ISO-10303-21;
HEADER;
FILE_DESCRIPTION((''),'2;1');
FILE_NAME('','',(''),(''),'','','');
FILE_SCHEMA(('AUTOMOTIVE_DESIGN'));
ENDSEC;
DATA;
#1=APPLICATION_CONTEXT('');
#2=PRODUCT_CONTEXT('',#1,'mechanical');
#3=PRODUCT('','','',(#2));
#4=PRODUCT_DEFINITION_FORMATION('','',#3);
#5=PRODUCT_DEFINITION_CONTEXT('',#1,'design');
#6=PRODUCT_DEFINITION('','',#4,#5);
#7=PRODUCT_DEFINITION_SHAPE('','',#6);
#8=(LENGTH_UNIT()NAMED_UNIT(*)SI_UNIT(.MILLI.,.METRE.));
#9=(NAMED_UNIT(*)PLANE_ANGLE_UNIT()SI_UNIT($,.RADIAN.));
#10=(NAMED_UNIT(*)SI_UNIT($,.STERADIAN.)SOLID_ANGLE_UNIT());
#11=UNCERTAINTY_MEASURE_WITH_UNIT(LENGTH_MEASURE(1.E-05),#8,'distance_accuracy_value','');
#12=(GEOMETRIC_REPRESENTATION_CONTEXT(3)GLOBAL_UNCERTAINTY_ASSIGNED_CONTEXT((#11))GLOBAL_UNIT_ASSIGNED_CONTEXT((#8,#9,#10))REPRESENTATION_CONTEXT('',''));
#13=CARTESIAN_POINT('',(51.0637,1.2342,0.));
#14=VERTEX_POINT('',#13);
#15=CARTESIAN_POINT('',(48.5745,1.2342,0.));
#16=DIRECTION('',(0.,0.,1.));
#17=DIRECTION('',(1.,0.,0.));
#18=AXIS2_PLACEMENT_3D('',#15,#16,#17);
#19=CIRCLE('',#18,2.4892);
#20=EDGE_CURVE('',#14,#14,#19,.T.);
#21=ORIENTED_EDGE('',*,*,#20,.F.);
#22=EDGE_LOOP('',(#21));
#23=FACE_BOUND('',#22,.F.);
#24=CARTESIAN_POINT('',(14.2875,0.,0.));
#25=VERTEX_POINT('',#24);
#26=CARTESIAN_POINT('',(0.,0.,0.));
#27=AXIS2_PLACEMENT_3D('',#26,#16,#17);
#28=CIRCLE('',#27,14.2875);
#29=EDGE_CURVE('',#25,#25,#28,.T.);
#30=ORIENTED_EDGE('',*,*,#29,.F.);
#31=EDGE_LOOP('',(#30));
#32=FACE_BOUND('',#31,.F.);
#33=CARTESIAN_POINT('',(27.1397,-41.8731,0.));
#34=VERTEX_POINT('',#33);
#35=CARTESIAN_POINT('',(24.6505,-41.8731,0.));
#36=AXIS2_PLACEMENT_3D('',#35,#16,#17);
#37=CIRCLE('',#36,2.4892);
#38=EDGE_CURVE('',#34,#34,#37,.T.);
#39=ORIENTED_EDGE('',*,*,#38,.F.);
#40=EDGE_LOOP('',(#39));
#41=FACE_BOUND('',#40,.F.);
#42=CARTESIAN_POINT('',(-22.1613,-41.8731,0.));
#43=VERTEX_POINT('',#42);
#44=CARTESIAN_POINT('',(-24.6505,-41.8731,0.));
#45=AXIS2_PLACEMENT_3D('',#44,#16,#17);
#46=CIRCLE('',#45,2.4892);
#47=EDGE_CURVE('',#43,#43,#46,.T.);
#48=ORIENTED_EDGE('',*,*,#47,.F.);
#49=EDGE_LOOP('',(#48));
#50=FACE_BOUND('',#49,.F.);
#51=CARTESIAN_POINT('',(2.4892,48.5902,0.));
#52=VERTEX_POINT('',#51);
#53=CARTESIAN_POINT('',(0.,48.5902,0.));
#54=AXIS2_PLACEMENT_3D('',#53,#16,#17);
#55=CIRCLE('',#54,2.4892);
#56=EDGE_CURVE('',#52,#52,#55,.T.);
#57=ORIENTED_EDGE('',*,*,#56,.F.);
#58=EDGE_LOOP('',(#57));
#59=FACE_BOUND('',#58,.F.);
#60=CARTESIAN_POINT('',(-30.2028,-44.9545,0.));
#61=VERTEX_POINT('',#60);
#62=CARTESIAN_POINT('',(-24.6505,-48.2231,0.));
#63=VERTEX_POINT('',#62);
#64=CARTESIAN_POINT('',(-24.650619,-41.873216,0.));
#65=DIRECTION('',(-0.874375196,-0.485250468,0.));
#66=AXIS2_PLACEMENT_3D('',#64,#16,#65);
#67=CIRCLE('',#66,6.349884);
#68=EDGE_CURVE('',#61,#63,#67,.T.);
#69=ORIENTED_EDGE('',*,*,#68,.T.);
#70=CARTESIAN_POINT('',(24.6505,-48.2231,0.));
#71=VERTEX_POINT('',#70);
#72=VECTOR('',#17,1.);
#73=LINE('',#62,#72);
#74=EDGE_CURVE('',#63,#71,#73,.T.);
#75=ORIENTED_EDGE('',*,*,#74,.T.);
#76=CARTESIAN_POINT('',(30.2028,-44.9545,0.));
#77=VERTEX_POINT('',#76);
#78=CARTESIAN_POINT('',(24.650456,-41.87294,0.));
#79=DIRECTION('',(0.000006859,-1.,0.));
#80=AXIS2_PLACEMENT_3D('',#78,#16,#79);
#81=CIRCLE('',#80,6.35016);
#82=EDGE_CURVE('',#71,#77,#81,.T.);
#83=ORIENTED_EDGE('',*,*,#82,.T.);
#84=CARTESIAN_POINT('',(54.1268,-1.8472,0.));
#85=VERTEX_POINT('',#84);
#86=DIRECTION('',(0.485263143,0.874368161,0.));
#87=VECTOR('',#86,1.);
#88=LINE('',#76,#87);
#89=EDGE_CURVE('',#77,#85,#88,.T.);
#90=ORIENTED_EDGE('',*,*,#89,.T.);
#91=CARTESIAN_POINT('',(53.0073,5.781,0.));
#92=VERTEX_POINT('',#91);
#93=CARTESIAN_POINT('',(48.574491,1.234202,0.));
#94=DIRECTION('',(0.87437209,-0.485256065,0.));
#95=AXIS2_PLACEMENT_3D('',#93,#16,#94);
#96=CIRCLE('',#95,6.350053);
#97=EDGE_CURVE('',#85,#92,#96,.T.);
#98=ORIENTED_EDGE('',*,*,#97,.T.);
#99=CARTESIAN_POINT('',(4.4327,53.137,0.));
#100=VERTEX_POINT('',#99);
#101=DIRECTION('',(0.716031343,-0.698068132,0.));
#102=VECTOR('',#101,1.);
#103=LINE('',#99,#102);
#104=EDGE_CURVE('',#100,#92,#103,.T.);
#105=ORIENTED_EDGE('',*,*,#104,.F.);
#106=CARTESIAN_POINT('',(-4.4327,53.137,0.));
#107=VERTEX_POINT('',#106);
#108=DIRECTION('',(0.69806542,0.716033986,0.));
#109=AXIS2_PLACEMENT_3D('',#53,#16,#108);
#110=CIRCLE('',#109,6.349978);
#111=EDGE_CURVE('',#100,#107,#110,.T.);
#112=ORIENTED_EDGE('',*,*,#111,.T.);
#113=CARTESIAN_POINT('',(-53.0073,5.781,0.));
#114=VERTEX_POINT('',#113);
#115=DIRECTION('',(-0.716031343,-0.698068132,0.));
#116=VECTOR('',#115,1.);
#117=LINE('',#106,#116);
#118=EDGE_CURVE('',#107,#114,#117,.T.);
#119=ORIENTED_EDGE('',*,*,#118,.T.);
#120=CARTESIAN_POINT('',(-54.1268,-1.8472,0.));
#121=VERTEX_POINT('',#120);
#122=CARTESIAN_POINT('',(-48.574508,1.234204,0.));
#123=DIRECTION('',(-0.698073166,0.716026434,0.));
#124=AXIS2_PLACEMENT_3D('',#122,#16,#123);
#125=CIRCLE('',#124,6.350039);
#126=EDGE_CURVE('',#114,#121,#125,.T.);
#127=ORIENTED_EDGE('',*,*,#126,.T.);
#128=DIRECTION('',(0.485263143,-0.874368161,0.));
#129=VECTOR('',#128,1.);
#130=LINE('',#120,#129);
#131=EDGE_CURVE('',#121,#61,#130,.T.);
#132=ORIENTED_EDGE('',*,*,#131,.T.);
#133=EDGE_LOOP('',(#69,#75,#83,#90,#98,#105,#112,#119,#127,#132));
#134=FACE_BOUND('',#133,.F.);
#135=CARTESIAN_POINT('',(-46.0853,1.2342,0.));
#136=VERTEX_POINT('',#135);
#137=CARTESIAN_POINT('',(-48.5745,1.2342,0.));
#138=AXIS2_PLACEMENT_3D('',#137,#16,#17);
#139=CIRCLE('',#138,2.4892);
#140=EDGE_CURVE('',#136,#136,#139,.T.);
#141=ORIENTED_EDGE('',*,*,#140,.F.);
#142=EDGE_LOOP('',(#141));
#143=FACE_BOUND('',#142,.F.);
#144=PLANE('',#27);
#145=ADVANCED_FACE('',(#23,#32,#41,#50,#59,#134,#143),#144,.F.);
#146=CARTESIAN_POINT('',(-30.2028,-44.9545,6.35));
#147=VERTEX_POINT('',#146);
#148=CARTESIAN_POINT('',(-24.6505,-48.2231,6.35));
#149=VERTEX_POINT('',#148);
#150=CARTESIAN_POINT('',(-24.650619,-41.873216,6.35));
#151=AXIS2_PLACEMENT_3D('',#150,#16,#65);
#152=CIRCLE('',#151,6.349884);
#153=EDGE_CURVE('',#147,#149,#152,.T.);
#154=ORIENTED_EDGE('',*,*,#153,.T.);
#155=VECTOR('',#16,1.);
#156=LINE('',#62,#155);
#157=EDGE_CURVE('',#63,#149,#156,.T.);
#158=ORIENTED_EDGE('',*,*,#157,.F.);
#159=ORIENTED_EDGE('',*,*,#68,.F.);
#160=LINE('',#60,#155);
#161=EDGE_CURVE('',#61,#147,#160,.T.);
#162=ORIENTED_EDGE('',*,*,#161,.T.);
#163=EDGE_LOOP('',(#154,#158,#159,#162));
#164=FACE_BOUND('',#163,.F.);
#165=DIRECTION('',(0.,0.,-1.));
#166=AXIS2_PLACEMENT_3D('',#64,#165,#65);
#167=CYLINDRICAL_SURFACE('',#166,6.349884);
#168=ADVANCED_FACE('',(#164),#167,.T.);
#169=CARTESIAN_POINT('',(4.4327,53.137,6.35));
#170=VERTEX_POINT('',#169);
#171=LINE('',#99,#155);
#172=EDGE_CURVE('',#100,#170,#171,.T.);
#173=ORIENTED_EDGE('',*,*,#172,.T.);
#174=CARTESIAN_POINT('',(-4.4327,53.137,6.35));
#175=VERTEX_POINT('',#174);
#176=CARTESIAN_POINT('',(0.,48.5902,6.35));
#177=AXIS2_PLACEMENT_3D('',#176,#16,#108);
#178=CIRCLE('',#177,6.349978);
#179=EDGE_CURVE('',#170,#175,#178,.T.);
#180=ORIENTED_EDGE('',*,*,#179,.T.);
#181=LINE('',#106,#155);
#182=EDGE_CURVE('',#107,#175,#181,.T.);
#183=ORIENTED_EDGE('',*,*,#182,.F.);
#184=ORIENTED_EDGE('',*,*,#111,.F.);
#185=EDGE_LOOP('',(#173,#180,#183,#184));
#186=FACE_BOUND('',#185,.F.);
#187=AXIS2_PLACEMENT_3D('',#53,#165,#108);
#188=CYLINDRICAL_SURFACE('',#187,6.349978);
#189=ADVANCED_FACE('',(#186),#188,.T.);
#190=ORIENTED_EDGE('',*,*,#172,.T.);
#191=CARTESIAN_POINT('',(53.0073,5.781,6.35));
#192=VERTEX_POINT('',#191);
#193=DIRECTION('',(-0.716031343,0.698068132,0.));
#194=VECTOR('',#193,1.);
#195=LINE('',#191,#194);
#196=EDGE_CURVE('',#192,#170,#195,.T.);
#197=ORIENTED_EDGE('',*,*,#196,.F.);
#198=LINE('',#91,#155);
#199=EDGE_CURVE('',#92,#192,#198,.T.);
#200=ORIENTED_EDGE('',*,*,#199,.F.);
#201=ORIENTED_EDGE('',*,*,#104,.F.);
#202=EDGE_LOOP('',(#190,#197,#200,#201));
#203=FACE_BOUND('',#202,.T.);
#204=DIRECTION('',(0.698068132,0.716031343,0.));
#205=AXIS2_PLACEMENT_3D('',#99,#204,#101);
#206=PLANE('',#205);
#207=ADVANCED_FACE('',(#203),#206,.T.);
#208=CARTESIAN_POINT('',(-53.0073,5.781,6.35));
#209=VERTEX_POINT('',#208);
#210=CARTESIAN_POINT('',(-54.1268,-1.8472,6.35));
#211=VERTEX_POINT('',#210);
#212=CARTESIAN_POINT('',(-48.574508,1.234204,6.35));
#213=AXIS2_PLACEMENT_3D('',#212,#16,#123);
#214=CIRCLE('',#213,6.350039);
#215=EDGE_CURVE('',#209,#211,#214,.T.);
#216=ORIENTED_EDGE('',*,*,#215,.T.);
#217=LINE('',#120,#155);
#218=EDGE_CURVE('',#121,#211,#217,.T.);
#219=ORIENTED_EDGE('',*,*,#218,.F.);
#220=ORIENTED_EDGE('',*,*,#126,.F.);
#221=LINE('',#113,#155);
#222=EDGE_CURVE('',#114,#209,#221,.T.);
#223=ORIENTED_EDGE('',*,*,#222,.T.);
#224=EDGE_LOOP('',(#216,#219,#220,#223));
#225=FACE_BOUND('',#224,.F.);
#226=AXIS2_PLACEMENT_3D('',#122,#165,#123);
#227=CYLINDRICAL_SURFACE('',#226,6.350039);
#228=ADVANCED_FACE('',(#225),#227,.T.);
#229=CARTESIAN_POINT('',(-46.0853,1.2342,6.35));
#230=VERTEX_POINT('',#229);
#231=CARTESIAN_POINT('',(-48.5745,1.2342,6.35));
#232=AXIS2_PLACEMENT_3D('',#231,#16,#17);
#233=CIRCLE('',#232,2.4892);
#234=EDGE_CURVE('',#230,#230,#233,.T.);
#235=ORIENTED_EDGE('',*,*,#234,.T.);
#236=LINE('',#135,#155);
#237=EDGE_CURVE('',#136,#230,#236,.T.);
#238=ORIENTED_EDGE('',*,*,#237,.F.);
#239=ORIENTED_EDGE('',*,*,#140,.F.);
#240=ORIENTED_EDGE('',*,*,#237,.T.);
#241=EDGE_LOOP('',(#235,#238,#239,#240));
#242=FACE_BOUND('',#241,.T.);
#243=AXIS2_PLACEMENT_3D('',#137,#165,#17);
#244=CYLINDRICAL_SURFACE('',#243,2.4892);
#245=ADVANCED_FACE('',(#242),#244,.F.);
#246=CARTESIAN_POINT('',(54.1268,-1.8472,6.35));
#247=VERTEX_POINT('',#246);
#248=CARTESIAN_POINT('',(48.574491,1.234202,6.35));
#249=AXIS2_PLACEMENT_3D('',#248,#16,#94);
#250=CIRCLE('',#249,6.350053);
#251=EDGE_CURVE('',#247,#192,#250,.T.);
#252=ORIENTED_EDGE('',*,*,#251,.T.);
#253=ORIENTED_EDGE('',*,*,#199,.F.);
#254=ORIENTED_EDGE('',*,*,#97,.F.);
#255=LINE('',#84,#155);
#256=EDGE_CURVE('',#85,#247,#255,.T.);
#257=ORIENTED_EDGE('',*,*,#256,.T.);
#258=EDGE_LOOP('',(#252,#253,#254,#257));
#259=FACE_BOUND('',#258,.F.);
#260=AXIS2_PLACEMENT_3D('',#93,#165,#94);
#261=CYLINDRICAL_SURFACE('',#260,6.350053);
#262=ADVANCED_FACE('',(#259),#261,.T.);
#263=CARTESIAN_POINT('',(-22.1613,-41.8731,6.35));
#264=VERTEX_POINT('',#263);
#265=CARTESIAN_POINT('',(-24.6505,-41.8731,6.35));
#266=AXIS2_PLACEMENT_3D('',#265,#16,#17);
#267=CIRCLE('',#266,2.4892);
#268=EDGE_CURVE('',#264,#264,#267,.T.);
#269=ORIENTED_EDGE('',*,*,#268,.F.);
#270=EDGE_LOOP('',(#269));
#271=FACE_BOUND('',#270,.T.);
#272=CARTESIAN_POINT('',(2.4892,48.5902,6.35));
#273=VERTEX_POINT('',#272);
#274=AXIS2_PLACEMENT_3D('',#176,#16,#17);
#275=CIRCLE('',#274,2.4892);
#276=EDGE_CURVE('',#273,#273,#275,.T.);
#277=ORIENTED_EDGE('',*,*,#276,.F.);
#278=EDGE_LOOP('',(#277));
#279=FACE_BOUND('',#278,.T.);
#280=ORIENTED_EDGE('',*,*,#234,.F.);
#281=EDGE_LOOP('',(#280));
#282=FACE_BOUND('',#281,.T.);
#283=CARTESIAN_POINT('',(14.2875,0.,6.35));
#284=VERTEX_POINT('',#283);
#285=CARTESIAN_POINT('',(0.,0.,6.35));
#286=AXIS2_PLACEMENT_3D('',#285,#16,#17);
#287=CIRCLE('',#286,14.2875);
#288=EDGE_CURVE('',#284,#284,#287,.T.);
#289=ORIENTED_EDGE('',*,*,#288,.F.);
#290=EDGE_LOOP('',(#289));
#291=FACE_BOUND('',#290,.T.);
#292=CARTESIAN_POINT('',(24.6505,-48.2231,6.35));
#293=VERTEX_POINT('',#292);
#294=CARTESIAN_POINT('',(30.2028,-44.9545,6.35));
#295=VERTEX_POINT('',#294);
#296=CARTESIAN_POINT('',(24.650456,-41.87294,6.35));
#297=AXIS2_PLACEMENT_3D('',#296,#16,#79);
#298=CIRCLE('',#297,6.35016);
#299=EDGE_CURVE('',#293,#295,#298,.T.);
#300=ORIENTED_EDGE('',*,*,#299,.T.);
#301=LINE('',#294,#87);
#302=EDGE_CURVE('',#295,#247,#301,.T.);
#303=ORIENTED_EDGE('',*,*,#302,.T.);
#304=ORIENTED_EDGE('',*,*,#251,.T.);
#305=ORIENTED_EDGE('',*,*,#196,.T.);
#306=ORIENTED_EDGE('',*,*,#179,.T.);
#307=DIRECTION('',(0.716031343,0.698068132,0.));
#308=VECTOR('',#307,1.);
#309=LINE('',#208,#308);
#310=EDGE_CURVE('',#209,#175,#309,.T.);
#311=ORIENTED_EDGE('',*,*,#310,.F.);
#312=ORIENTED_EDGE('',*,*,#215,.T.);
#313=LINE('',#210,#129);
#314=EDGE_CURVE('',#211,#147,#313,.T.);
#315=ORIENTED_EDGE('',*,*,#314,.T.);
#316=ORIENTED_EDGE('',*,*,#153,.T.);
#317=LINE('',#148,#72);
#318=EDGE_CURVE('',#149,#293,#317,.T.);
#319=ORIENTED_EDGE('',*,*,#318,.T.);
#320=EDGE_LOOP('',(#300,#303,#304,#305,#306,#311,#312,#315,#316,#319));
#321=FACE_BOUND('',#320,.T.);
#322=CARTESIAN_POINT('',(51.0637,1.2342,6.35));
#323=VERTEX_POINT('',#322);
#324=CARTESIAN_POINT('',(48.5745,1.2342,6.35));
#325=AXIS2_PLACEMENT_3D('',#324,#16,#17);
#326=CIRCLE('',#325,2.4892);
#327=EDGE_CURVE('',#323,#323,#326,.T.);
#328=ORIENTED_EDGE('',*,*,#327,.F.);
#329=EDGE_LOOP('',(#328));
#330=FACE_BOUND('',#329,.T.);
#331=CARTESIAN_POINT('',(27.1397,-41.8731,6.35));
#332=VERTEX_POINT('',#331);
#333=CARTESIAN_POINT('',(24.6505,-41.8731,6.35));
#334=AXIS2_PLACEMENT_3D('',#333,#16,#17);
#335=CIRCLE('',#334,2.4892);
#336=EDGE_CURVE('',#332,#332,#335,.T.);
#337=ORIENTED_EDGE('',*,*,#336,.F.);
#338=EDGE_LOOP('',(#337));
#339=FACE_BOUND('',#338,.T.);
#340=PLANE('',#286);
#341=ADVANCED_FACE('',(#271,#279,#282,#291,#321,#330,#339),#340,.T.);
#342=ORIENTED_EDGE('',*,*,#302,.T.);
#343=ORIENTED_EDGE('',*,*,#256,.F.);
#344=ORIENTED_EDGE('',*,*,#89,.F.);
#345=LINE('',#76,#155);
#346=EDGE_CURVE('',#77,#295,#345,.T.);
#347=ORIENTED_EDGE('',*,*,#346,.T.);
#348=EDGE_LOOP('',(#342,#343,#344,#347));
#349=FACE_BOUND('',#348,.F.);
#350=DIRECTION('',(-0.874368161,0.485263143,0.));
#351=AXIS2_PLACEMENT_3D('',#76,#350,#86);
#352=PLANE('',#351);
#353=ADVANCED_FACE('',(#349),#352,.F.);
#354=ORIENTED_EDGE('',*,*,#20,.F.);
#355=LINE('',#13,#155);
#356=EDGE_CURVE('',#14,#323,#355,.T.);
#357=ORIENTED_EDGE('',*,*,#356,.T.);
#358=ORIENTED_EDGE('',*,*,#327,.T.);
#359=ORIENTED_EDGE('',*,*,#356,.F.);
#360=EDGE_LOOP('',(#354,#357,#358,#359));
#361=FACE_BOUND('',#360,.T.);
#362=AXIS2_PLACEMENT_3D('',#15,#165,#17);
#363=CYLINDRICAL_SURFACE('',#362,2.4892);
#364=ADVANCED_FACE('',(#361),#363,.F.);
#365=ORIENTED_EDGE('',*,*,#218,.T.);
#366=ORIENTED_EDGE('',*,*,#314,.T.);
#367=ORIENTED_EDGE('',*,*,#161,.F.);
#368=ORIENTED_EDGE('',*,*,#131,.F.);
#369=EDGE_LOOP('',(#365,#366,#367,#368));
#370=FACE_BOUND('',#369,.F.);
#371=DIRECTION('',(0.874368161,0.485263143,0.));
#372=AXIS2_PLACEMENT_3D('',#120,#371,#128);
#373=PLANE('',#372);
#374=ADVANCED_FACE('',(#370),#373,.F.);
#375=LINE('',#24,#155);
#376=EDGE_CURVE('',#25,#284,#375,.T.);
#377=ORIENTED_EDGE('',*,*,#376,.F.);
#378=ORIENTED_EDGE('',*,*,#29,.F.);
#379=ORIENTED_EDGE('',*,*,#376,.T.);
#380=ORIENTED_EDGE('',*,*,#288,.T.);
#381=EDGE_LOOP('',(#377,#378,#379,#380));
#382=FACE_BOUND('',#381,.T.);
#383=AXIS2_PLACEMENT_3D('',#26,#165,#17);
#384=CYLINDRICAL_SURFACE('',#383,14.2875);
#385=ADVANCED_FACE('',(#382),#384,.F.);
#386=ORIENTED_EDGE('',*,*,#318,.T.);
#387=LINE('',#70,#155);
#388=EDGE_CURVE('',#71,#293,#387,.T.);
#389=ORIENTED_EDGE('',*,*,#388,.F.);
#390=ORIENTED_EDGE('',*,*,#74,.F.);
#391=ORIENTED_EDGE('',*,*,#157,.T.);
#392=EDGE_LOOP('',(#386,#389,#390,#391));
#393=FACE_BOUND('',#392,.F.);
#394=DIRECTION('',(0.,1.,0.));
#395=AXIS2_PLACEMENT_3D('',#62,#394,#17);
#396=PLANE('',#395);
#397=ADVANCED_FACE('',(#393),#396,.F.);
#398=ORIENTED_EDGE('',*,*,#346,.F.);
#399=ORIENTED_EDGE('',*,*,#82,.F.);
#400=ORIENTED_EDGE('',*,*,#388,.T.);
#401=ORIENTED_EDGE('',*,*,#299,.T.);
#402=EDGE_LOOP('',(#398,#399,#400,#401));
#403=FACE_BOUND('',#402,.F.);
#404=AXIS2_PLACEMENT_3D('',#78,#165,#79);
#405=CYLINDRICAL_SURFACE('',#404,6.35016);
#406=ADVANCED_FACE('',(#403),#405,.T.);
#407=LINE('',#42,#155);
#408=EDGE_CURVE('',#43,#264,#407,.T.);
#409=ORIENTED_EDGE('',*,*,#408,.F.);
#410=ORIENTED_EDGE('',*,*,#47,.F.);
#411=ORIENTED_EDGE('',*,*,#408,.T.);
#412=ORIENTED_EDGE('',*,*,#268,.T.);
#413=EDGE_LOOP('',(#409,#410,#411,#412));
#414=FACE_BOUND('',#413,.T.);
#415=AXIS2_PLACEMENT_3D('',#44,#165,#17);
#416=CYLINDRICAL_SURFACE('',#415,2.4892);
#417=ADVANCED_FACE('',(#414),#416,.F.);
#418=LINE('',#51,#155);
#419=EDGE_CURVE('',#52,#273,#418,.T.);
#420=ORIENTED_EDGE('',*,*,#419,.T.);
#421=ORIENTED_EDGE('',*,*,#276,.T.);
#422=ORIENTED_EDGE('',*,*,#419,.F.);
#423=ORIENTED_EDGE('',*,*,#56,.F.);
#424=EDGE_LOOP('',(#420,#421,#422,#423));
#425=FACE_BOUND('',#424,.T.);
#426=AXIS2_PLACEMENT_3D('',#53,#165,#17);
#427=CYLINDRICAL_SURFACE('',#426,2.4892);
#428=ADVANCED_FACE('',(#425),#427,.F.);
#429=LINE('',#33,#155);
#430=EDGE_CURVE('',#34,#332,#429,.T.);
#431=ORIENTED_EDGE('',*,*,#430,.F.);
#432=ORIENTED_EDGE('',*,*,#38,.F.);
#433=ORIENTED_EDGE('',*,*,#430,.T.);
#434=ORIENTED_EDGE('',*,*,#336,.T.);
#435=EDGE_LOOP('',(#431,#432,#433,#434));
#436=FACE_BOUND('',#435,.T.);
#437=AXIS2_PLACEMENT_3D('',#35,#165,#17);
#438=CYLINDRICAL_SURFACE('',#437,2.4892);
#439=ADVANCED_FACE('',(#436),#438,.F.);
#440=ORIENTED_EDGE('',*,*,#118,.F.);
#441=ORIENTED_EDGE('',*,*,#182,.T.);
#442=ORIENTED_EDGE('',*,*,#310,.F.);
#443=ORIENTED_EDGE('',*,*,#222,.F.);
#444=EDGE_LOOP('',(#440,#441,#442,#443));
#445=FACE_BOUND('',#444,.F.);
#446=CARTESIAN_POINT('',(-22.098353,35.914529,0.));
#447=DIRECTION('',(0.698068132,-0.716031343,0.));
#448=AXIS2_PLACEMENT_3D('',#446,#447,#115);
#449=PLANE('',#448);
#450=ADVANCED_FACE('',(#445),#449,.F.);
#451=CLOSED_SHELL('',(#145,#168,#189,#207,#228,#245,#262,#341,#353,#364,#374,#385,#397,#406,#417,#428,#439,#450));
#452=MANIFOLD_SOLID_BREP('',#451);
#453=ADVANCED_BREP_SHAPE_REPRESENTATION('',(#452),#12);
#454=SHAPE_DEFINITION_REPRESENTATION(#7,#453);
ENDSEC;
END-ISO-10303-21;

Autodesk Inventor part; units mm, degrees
ref_plane "YZ Plane" through (0, 0, 0) normal (1, 0, 0) x (0, 1, 0)
ref_plane "XZ Plane" through (0, 0, 0) normal (0, 1, 0) x (-1, 0, 0)
ref_plane "XY Plane" through (0, 0, 0) normal (0, 0, 1) x (1, 0, 0)
sketch "Sketch1" plane through (0, 0, 0) normal (0, 0, 1) x (1, 0, 0)
  circle A0 centre (0, 0) radius 38.1 construction
  circle A1 centre (0, 0) radius 40.64 construction
  circle A2 centre (0, 0) radius 14.2875
  circle A3 centre (-31.9157, 32.7369) radius 30.0609 construction
  circle A4 centre (-31.9157, 32.7369) radius 25.4 construction
  circle A5 centre (-31.9157, 32.7369) radius 7.62 construction
  line L0 (-52.4066, 17.305) -> (0, 0) construction
  line L1 (0, 0) -> (-17.9111, 52.2025) construction
  circle A6 centre (-48.5745, 1.2342) radius 2.4892
  circle A7 centre (-48.5745, 1.2342) radius 6.35 construction
  circle A8 centre (-48.5745, 1.2342) radius 3.9751 construction
  line L2 (-46.7163, 4.7482) -> (-45.9682, 6.1628) construction
  line L3 (-42.2266, 1.0729) -> (-40.6269, 1.0322) construction
  circle A9 centre (0, 48.5902) radius 6.35 construction
  circle A10 centre (0, 48.5902) radius 3.9751 construction
  circle A11 centre (0, 48.5902) radius 2.4892
  line L4 (0, 42.2402) -> (0, 40.64) construction
  line L5 (-3.5601, 46.8218) -> (-4.9932, 46.1099) construction
  circle A12 centre (-24.6505, -41.8731) radius 6.35 construction
  circle A13 centre (-24.6505, -41.8731) radius 2.4892
  line L6 (-21.4291, -36.4009) -> (-20.6173, -35.022)
  line L7 (0, 48.5902) -> (0, 0) construction
  circle A14 centre (31.9157, 32.7369) radius 30.0609 construction
  circle A15 centre (31.9157, 32.7369) radius 25.4 construction
  circle A16 centre (48.5745, 1.2342) radius 2.4892
  circle A17 centre (48.5745, 1.2342) radius 6.35 construction
  circle A18 centre (48.5745, 1.2342) radius 3.9751 construction
  circle A19 centre (0, 48.5902) radius 2.4892 construction
  circle A20 centre (24.6505, -41.8731) radius 6.35 construction
  circle A21 centre (24.6505, -41.8731) radius 2.4892
  circle A22 centre (31.9157, 32.7369) radius 7.62 construction
  line L8 (-48.5745, 1.2342) -> (-24.6505, -41.8731) construction
  line L9 (24.6505, -41.8731) -> (-24.6505, -41.8731) construction
  circle A23 centre (-31.9157, 32.7369) radius 10.3188
  circle A24 centre (31.9157, 32.7369) radius 10.3188
  line L10 (-54.1268, -1.8472) -> (-30.2028, -44.9545)
  line L11 (-24.6505, -48.2231) -> (24.6505, -48.2231)
  line L12 (30.2028, -44.9545) -> (54.1268, -1.8472)
  arc A25 (-30.2028, -44.9545) -> (-24.6505, -48.2231) centre (-24.6505, -41.8731) ccw
  arc A26 (-53.0073, 5.781) -> (-54.1268, -1.8472) centre (-48.5745, 1.2342) ccw
  arc A27 (54.1268, -1.8472) -> (53.0073, 5.781) centre (48.5745, 1.2342) ccw
  arc A28 (24.6505, -48.2231) -> (30.2028, -44.9545) centre (24.6505, -41.8731) ccw
  line L13 (-4.4327, 53.137) -> (-53.0073, 5.781)
  line L14 (4.4327, 53.137) -> (53.0073, 5.781)
  arc A29 (4.4327, 53.137) -> (-4.4327, 53.137) centre (0, 48.5902) ccw
  arc A30 (4.4327, 53.137) -> (-4.4327, 53.137) centre (0, 48.5902) ccw
  dimension "d15" = 7.9502
  dimension "d0" = 76.2
  dimension "d1" = 2.54
  dimension "d2" = 28.575
  dimension "d3" = 60.1218
  dimension "d4" = 50.8
  dimension "d5" = 15.24
  dimension "d12" = 12.7
  dimension "d14" = 4.9784
  dimension "d16" = 1.6002
  dimension "d17" = 15.24
  dimension "d18" = 20.6375
  dimension "d19" = 20.6375
extrude "Extrusion2" add sketch "Sketch1" along normal blind 6.35 contours A23 L13 | A23 L13 A29 L14 A24 A27 L12 A28 L11 A25 L10 A26 | L14 A24 picked at (-26.2947, 29.0376) picked at (27.7057, 27.8118)
sketch "Sketch2" plane through (0, 0, 6.35) normal (0, 0, 1) x (1, 0, 0)
  line L0 (53.0073, 5.781) -> (4.4327, 53.137) projected
  arc A0 (4.4327, 53.137) -> (-4.4327, 53.137) centre (0, 48.5902) ccw projected
  line L1 (-4.4327, 53.137) -> (-53.0073, 5.781) projected
  arc A1 (-53.0073, 5.781) -> (-54.1268, -1.8472) centre (-48.5745, 1.2342) ccw projected
  line L2 (-54.1268, -1.8472) -> (-30.2028, -44.9545) projected
  arc A2 (-30.2028, -44.9545) -> (-24.6505, -48.2231) centre (-24.6505, -41.8731) ccw projected
  line L3 (-24.6505, -48.2231) -> (24.6505, -48.2231) projected
  arc A3 (24.6505, -48.2231) -> (30.2028, -44.9545) centre (24.6505, -41.8731) ccw projected
  line L4 (30.2028, -44.9545) -> (54.1268, -1.8472) projected
  arc A4 (54.1268, -1.8472) -> (53.0073, 5.781) centre (48.5745, 1.2342) ccw projected
  circle A5 centre (48.5745, 1.2342) radius 2.4892 projected
  circle A6 centre (24.6505, -41.8731) radius 2.4892 projected
  circle A7 centre (-24.6505, -41.8731) radius 2.4892 projected
  circle A8 centre (0, 48.5902) radius 2.4892 projected
  circle A9 centre (-48.5745, 1.2342) radius 2.4892 projected
  circle A10 centre (0, 0) radius 14.2875 projected
properties part number "TopPlate_Gearboxes_2_Exercise_2" material "Aluminum 6061"
